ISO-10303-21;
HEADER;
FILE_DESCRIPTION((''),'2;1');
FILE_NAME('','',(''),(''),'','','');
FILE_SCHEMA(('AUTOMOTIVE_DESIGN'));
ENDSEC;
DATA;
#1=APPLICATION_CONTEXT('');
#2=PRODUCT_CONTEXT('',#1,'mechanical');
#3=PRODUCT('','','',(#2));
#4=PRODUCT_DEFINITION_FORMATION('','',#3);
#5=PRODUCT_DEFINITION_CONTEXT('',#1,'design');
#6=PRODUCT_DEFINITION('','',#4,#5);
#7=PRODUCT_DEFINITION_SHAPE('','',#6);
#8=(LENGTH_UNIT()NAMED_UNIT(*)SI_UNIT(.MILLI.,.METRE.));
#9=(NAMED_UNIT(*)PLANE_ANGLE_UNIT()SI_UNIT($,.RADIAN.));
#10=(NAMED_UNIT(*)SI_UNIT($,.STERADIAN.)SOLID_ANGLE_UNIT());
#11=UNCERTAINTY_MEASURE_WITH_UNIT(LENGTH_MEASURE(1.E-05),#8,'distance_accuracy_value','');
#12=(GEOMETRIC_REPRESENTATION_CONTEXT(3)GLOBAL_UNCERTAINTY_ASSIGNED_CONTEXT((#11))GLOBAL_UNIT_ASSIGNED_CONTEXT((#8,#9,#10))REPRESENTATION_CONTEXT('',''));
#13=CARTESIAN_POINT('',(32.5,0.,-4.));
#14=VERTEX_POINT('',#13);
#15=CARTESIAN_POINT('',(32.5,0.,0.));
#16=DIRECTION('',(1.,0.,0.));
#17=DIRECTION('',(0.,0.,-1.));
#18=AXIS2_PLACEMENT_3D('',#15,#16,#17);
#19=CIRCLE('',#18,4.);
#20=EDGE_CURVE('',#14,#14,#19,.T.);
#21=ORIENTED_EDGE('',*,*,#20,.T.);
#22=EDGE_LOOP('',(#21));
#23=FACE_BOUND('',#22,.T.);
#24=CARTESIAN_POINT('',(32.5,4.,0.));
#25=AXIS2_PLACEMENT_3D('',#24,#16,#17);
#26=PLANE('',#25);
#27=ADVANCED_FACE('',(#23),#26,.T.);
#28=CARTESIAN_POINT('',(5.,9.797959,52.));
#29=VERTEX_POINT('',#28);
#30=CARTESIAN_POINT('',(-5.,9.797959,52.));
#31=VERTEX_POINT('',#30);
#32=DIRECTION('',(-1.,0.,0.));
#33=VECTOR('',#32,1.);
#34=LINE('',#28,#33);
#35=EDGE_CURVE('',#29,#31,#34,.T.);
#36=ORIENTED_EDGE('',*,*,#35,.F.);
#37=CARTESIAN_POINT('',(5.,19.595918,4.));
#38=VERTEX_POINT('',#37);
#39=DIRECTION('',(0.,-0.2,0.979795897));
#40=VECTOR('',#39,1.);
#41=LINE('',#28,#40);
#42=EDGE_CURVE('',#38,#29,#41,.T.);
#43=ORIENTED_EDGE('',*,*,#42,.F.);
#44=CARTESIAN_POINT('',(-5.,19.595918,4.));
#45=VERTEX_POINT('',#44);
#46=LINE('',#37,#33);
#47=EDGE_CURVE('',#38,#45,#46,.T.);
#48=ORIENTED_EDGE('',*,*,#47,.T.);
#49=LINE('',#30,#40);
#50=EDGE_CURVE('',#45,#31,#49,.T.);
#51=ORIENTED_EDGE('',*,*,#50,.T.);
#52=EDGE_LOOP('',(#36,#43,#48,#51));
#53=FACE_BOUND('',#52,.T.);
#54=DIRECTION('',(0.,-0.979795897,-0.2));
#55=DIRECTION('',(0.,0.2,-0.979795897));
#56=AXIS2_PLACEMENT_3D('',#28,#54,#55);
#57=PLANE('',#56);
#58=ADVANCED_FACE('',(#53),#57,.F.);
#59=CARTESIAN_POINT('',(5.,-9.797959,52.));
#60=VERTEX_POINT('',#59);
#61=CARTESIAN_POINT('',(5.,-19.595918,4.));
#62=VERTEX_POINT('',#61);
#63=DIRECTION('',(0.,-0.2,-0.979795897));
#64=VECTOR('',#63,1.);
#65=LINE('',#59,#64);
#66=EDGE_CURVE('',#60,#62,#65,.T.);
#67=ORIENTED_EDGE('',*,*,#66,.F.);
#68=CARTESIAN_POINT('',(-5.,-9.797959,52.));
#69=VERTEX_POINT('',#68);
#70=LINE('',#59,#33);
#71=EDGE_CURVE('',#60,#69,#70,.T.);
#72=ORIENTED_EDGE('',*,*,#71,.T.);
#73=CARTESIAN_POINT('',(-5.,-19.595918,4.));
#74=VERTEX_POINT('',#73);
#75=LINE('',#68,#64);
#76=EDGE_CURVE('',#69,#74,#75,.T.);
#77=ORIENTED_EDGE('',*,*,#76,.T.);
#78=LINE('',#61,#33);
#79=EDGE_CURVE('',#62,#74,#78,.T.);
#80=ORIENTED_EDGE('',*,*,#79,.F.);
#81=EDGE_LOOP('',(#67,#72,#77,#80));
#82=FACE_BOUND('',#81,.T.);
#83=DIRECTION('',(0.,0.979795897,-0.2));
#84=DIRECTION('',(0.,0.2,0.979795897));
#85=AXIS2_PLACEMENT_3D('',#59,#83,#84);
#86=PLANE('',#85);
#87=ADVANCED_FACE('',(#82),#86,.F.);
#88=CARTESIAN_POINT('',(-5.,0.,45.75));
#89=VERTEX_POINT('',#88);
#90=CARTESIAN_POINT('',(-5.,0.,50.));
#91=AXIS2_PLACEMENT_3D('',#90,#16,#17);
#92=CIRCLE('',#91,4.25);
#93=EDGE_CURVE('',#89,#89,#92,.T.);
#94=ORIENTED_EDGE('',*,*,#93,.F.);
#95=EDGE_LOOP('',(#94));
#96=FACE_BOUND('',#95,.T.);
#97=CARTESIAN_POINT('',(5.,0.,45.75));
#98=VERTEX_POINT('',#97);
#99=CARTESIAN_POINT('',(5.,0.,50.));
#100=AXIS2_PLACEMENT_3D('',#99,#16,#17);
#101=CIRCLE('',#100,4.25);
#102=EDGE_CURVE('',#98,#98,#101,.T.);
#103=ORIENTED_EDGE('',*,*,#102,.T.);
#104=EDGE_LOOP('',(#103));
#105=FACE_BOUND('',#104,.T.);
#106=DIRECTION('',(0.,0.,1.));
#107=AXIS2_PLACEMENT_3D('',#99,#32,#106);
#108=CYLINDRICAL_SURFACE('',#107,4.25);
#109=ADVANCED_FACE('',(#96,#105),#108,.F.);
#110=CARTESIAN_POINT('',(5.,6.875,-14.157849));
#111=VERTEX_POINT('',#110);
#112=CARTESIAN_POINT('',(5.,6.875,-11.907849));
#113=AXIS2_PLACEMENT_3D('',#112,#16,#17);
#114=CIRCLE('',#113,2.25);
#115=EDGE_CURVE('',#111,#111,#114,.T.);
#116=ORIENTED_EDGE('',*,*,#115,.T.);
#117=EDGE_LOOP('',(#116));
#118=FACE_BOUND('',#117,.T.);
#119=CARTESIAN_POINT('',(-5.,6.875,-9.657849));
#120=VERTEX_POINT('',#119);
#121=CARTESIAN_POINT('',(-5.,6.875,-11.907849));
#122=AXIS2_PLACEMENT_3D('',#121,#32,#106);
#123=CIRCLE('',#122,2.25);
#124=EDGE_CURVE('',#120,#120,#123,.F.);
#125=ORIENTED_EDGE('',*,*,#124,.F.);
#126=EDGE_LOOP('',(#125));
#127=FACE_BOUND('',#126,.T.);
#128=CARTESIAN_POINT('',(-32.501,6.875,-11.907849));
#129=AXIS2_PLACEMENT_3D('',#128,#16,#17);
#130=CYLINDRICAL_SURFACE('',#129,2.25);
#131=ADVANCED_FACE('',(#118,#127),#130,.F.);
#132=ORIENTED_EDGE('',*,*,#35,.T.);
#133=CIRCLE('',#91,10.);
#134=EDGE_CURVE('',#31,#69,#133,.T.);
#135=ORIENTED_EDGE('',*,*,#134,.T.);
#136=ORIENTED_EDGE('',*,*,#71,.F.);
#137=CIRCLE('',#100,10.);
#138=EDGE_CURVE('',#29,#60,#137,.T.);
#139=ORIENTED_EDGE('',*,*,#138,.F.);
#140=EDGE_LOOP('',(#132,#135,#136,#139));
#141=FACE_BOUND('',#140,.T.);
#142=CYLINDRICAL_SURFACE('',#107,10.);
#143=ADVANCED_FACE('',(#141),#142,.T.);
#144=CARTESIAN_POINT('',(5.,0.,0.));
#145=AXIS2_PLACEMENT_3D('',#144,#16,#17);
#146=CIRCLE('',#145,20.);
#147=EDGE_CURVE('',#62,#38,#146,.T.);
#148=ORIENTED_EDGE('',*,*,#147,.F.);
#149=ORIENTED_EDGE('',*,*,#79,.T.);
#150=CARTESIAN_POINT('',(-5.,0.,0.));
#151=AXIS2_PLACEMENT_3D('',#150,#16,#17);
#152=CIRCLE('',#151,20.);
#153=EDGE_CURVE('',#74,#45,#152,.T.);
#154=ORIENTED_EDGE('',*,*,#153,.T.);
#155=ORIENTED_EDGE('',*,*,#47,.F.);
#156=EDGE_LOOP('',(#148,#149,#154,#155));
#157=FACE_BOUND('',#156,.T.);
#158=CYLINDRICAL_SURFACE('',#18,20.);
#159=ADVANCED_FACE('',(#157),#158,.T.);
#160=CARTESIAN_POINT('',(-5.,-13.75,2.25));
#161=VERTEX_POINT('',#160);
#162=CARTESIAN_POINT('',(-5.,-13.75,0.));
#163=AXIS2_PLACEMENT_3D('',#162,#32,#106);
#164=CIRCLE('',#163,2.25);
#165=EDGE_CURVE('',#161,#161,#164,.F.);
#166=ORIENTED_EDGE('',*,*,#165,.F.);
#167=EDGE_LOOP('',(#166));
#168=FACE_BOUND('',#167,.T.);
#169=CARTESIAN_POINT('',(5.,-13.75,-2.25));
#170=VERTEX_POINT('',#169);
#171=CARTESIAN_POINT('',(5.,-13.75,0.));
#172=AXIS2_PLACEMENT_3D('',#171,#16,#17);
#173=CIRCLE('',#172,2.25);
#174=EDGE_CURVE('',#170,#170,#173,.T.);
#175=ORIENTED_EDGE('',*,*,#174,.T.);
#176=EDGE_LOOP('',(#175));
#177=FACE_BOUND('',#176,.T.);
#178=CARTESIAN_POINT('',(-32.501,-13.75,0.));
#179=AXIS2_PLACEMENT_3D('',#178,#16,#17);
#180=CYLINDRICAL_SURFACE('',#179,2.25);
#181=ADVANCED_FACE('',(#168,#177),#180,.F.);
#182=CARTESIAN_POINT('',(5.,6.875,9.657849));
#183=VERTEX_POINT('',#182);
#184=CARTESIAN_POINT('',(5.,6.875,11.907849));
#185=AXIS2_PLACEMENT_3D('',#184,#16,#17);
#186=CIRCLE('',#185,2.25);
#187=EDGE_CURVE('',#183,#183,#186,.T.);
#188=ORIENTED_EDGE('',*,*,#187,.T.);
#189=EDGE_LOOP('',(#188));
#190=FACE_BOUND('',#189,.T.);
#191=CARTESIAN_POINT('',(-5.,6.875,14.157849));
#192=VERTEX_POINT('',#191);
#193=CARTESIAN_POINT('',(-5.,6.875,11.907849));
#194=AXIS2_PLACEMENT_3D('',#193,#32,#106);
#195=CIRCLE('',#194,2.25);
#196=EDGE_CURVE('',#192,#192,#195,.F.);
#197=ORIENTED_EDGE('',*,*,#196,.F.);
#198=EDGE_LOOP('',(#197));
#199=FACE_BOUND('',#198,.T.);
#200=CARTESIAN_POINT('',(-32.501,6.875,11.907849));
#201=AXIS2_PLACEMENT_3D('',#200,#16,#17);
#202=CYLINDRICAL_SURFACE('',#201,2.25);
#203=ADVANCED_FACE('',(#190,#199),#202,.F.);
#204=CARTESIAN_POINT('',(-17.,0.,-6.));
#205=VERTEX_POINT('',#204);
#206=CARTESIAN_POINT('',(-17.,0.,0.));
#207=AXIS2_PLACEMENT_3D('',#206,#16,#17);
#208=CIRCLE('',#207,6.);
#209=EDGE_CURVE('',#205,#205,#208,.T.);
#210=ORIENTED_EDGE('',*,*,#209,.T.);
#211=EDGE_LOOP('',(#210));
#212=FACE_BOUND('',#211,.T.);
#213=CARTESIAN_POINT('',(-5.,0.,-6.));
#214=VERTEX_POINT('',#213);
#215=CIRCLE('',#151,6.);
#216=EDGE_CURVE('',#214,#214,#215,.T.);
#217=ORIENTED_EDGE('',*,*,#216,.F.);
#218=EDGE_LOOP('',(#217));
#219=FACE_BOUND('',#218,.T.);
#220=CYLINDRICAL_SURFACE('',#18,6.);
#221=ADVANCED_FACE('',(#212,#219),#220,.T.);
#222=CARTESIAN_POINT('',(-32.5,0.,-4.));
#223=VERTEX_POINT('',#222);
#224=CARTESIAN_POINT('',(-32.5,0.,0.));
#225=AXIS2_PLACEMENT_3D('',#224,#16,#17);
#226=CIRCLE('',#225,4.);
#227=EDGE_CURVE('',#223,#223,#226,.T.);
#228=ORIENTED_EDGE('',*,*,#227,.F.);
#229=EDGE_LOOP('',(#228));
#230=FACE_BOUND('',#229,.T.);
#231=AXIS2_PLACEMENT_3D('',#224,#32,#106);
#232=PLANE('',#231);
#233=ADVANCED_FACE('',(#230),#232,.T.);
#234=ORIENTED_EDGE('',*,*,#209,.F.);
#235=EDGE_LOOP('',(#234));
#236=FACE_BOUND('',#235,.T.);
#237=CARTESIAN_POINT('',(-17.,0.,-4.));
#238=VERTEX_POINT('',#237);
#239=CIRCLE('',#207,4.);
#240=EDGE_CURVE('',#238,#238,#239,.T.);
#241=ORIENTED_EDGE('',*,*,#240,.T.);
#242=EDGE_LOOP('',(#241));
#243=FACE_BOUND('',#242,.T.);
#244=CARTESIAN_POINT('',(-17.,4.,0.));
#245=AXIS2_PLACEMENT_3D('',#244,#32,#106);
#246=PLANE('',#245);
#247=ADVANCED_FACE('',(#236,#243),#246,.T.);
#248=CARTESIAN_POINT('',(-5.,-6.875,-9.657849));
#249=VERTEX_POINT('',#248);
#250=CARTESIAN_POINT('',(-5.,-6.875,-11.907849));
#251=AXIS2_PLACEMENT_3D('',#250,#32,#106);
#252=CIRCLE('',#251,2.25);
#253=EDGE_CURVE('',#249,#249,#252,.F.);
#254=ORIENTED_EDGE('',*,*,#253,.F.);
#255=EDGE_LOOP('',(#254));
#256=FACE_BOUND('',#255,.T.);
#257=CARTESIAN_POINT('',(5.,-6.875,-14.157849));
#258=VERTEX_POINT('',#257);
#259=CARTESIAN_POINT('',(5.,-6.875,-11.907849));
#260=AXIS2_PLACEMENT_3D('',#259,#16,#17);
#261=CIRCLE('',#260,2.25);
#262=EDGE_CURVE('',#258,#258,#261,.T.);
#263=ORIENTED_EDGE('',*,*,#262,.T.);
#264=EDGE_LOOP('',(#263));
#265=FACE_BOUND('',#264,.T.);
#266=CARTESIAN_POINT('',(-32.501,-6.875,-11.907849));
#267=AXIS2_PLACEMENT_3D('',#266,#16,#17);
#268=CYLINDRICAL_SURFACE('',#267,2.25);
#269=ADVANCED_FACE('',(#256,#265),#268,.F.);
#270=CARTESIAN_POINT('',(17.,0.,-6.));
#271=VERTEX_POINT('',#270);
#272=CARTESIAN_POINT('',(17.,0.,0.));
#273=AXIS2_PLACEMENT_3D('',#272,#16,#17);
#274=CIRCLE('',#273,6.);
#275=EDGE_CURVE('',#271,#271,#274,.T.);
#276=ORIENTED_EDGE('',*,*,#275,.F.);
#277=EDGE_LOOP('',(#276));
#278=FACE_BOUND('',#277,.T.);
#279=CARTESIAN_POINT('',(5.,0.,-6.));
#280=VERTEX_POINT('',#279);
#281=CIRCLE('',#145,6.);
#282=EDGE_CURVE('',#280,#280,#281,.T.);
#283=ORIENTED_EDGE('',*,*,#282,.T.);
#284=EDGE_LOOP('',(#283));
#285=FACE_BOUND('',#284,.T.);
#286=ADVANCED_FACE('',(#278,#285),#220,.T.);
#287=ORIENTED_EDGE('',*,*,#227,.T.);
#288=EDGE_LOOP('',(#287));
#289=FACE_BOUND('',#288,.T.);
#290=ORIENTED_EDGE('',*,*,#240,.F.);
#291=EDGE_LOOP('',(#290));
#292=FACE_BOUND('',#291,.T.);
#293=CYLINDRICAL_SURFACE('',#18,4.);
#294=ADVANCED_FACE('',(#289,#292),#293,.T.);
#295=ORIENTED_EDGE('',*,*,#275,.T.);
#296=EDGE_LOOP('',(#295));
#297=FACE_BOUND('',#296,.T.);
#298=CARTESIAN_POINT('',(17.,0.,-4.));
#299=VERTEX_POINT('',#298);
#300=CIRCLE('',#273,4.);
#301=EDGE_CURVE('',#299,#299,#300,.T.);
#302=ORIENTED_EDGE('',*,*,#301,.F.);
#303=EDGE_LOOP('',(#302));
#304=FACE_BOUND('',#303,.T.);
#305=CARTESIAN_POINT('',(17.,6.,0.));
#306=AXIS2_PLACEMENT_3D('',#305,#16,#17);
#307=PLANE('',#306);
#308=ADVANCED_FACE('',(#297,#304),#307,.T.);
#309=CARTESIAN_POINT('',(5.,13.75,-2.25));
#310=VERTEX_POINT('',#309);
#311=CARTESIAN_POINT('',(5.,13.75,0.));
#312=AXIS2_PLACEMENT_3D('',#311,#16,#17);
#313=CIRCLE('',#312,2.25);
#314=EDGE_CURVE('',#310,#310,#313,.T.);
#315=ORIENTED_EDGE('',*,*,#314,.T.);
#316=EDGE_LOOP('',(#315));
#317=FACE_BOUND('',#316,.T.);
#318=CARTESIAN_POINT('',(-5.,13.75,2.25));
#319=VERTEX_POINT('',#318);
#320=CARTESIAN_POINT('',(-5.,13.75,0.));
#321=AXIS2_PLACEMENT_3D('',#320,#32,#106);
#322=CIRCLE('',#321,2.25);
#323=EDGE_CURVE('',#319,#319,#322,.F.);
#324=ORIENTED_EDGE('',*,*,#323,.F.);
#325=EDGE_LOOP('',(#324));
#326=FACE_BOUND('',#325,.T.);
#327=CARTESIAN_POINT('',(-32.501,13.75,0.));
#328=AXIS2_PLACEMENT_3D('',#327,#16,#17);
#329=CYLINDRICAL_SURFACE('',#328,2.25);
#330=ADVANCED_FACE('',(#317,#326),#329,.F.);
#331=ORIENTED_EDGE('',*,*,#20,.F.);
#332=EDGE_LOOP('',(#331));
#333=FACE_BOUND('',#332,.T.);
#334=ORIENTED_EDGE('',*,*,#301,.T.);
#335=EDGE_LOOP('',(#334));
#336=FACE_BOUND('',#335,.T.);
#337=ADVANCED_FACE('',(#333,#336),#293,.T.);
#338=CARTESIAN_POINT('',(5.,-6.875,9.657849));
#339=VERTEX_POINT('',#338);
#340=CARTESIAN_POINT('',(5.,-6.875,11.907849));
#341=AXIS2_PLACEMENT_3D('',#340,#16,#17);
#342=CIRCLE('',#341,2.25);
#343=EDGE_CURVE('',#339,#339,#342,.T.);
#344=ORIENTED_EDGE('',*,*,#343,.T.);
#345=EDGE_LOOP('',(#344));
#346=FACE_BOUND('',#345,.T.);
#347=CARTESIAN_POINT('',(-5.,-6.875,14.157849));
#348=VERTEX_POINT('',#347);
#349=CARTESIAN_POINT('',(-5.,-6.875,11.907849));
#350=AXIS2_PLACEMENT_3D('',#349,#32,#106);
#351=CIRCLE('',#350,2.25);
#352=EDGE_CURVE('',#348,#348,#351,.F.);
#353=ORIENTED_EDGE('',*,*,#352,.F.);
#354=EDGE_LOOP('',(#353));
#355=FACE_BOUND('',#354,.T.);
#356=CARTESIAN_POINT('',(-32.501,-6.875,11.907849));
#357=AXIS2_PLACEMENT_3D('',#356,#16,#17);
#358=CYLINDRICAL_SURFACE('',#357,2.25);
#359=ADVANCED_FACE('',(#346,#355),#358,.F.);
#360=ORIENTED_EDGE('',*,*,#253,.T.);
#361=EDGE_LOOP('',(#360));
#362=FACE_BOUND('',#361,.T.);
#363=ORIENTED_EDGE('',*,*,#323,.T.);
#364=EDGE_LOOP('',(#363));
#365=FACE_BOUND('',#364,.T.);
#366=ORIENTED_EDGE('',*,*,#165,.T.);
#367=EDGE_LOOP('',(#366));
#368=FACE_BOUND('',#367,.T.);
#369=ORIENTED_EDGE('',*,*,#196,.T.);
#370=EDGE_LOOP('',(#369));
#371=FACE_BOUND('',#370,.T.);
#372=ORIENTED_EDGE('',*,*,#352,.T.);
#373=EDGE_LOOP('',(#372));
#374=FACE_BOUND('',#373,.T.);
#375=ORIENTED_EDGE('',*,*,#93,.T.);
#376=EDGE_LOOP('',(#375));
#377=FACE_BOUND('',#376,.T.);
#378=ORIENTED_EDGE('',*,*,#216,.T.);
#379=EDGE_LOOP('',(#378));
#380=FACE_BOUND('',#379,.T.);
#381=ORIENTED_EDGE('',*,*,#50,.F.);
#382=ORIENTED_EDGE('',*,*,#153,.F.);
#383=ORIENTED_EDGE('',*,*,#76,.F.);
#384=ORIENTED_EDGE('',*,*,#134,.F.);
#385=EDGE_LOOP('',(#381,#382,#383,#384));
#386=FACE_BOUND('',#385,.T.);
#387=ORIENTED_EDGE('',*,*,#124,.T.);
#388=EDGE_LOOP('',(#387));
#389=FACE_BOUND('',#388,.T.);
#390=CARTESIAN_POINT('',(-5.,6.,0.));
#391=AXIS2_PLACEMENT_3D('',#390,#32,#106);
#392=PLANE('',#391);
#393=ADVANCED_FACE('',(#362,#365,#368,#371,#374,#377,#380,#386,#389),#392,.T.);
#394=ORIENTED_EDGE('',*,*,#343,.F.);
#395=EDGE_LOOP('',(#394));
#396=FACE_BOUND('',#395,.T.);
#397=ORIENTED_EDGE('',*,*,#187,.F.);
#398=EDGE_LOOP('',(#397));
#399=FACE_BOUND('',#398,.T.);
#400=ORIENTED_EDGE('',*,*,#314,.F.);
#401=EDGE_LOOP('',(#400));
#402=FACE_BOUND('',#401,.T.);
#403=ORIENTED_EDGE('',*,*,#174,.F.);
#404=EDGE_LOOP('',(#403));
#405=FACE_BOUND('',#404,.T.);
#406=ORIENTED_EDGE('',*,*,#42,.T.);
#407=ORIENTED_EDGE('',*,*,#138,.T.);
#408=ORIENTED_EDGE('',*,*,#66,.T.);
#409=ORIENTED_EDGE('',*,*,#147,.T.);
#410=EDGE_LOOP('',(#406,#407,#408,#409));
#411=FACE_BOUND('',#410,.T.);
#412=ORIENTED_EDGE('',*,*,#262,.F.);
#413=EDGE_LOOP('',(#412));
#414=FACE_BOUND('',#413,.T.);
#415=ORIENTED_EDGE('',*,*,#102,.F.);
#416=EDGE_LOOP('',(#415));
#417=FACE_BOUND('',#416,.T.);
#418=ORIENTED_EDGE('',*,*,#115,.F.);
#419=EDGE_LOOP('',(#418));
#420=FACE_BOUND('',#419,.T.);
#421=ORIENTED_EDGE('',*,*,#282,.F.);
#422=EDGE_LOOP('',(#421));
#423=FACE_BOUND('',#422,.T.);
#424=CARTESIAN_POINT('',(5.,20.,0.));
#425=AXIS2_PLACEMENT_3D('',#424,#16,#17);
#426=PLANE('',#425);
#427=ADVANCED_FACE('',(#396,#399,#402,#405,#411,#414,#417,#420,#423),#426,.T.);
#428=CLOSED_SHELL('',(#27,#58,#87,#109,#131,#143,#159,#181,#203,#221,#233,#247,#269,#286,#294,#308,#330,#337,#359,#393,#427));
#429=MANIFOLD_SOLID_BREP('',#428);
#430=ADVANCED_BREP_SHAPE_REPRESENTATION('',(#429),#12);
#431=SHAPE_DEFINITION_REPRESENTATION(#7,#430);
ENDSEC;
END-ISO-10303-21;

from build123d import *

# Parameters (mm, degrees)
CROQUIS2_R              = 4.25
SALIENTE_EXTRUIR1_DEPTH = 5
CORTAR_EXTRUIR1_REACH   = 75.527
CROQUIS3_R              = 2.25


with BuildPart() as part:
    # Croquis1 → Revolución1 (revolve)
    with BuildSketch(Plane.XY, mode=Mode.PRIVATE) as revoluci_n1_sk:
        Polygon((32.5, 0), (-32.5, 0), (-32.5, 4), (-17, 4), (-17, 6), (-5, 6), (-5, 20), (5, 20), (5, 6), (17, 6), (17, 4), (32.5, 4), align=None)
    revolve(revoluci_n1_sk.sketch.rotate(Axis((32.5, 0, 0), (-1, 0, 0)), 90), axis=Axis((32.5, 0, 0), (-1, 0, 0)))

    # Croquis2 → Saliente-Extruir1 (add, symmetric)
    with BuildSketch(Plane(origin=(0, 0, 0), x_dir=(0, 0, -1), z_dir=(1, 0, 0))):
        with BuildLine():
            Line((-52, 9.797958971), (-4, 19.595917942))
            ThreePointArc((-4, 19.595917942), (20, 0), (-4, -19.595917942))
            Line((-4, -19.595917942), (-52, -9.797958971))
            ThreePointArc((-52, -9.797958971), (-60, 0), (-52, 9.797958971))
        make_face()
        with Locations((-50, 0)):
            Circle(CROQUIS2_R, mode=Mode.SUBTRACT)
    extrude(amount=SALIENTE_EXTRUIR1_DEPTH, both=True)

    # Croquis3 → Cortar-Extruir1 (cut, up to next)
    with BuildSketch(Plane(origin=(5, 0, 0), x_dir=(0, 0, -1), z_dir=(1, 0, 0)), mode=Mode.PRIVATE) as cortar_extruir1_sk1:
        with Locations((0, 13.75)):
            Circle(CROQUIS3_R)
    cortar_extruir1_tool1 = extrude(cortar_extruir1_sk1.sketch, amount=-CORTAR_EXTRUIR1_REACH, mode=Mode.PRIVATE) & part.part
    # Croquis3 → Cortar-Extruir1 (cut, up to next)
    with BuildSketch(Plane(origin=(5, 0, 0), x_dir=(0, 0, -1), z_dir=(1, 0, 0)), mode=Mode.PRIVATE) as cortar_extruir1_sk2:
        with Locations((11.907849302, 6.875)):
            Circle(CROQUIS3_R)
    cortar_extruir1_tool2 = extrude(cortar_extruir1_sk2.sketch, amount=-CORTAR_EXTRUIR1_REACH, mode=Mode.PRIVATE) & part.part
    # Croquis3 → Cortar-Extruir1 (cut, up to next)
    with BuildSketch(Plane(origin=(5, 0, 0), x_dir=(0, 0, -1), z_dir=(1, 0, 0)), mode=Mode.PRIVATE) as cortar_extruir1_sk3:
        with Locations((11.907849302, -6.875)):
            Circle(CROQUIS3_R)
    cortar_extruir1_tool3 = extrude(cortar_extruir1_sk3.sketch, amount=-CORTAR_EXTRUIR1_REACH, mode=Mode.PRIVATE) & part.part
    # Croquis3 → Cortar-Extruir1 (cut, up to next)
    with BuildSketch(Plane(origin=(5, 0, 0), x_dir=(0, 0, -1), z_dir=(1, 0, 0)), mode=Mode.PRIVATE) as cortar_extruir1_sk4:
        with Locations((0, -13.75)):
            Circle(CROQUIS3_R)
    cortar_extruir1_tool4 = extrude(cortar_extruir1_sk4.sketch, amount=-CORTAR_EXTRUIR1_REACH, mode=Mode.PRIVATE) & part.part
    # Croquis3 → Cortar-Extruir1 (cut, up to next)
    with BuildSketch(Plane(origin=(5, 0, 0), x_dir=(0, 0, -1), z_dir=(1, 0, 0)), mode=Mode.PRIVATE) as cortar_extruir1_sk5:
        with Locations((-11.907849302, -6.875)):
            Circle(CROQUIS3_R)
    cortar_extruir1_tool5 = extrude(cortar_extruir1_sk5.sketch, amount=-CORTAR_EXTRUIR1_REACH, mode=Mode.PRIVATE) & part.part
    # Croquis3 → Cortar-Extruir1 (cut, up to next)
    with BuildSketch(Plane(origin=(5, 0, 0), x_dir=(0, 0, -1), z_dir=(1, 0, 0)), mode=Mode.PRIVATE) as cortar_extruir1_sk6:
        with Locations((-11.907849302, 6.875)):
            Circle(CROQUIS3_R)
    cortar_extruir1_tool6 = extrude(cortar_extruir1_sk6.sketch, amount=-CORTAR_EXTRUIR1_REACH, mode=Mode.PRIVATE) & part.part
    add(cortar_extruir1_tool1.solids().sort_by_distance((5, 13.75, 0))[0], mode=Mode.SUBTRACT)
    add(cortar_extruir1_tool2.solids().sort_by_distance((5, 6.875, -11.907849))[0], mode=Mode.SUBTRACT)
    add(cortar_extruir1_tool3.solids().sort_by_distance((5, -6.875, -11.907849))[0], mode=Mode.SUBTRACT)
    add(cortar_extruir1_tool4.solids().sort_by_distance((5, -13.75, 0))[0], mode=Mode.SUBTRACT)
    add(cortar_extruir1_tool5.solids().sort_by_distance((5, -6.875, 11.907849))[0], mode=Mode.SUBTRACT)
    add(cortar_extruir1_tool6.solids().sort_by_distance((5, 6.875, 11.907849))[0], mode=Mode.SUBTRACT)


solid = part.part
